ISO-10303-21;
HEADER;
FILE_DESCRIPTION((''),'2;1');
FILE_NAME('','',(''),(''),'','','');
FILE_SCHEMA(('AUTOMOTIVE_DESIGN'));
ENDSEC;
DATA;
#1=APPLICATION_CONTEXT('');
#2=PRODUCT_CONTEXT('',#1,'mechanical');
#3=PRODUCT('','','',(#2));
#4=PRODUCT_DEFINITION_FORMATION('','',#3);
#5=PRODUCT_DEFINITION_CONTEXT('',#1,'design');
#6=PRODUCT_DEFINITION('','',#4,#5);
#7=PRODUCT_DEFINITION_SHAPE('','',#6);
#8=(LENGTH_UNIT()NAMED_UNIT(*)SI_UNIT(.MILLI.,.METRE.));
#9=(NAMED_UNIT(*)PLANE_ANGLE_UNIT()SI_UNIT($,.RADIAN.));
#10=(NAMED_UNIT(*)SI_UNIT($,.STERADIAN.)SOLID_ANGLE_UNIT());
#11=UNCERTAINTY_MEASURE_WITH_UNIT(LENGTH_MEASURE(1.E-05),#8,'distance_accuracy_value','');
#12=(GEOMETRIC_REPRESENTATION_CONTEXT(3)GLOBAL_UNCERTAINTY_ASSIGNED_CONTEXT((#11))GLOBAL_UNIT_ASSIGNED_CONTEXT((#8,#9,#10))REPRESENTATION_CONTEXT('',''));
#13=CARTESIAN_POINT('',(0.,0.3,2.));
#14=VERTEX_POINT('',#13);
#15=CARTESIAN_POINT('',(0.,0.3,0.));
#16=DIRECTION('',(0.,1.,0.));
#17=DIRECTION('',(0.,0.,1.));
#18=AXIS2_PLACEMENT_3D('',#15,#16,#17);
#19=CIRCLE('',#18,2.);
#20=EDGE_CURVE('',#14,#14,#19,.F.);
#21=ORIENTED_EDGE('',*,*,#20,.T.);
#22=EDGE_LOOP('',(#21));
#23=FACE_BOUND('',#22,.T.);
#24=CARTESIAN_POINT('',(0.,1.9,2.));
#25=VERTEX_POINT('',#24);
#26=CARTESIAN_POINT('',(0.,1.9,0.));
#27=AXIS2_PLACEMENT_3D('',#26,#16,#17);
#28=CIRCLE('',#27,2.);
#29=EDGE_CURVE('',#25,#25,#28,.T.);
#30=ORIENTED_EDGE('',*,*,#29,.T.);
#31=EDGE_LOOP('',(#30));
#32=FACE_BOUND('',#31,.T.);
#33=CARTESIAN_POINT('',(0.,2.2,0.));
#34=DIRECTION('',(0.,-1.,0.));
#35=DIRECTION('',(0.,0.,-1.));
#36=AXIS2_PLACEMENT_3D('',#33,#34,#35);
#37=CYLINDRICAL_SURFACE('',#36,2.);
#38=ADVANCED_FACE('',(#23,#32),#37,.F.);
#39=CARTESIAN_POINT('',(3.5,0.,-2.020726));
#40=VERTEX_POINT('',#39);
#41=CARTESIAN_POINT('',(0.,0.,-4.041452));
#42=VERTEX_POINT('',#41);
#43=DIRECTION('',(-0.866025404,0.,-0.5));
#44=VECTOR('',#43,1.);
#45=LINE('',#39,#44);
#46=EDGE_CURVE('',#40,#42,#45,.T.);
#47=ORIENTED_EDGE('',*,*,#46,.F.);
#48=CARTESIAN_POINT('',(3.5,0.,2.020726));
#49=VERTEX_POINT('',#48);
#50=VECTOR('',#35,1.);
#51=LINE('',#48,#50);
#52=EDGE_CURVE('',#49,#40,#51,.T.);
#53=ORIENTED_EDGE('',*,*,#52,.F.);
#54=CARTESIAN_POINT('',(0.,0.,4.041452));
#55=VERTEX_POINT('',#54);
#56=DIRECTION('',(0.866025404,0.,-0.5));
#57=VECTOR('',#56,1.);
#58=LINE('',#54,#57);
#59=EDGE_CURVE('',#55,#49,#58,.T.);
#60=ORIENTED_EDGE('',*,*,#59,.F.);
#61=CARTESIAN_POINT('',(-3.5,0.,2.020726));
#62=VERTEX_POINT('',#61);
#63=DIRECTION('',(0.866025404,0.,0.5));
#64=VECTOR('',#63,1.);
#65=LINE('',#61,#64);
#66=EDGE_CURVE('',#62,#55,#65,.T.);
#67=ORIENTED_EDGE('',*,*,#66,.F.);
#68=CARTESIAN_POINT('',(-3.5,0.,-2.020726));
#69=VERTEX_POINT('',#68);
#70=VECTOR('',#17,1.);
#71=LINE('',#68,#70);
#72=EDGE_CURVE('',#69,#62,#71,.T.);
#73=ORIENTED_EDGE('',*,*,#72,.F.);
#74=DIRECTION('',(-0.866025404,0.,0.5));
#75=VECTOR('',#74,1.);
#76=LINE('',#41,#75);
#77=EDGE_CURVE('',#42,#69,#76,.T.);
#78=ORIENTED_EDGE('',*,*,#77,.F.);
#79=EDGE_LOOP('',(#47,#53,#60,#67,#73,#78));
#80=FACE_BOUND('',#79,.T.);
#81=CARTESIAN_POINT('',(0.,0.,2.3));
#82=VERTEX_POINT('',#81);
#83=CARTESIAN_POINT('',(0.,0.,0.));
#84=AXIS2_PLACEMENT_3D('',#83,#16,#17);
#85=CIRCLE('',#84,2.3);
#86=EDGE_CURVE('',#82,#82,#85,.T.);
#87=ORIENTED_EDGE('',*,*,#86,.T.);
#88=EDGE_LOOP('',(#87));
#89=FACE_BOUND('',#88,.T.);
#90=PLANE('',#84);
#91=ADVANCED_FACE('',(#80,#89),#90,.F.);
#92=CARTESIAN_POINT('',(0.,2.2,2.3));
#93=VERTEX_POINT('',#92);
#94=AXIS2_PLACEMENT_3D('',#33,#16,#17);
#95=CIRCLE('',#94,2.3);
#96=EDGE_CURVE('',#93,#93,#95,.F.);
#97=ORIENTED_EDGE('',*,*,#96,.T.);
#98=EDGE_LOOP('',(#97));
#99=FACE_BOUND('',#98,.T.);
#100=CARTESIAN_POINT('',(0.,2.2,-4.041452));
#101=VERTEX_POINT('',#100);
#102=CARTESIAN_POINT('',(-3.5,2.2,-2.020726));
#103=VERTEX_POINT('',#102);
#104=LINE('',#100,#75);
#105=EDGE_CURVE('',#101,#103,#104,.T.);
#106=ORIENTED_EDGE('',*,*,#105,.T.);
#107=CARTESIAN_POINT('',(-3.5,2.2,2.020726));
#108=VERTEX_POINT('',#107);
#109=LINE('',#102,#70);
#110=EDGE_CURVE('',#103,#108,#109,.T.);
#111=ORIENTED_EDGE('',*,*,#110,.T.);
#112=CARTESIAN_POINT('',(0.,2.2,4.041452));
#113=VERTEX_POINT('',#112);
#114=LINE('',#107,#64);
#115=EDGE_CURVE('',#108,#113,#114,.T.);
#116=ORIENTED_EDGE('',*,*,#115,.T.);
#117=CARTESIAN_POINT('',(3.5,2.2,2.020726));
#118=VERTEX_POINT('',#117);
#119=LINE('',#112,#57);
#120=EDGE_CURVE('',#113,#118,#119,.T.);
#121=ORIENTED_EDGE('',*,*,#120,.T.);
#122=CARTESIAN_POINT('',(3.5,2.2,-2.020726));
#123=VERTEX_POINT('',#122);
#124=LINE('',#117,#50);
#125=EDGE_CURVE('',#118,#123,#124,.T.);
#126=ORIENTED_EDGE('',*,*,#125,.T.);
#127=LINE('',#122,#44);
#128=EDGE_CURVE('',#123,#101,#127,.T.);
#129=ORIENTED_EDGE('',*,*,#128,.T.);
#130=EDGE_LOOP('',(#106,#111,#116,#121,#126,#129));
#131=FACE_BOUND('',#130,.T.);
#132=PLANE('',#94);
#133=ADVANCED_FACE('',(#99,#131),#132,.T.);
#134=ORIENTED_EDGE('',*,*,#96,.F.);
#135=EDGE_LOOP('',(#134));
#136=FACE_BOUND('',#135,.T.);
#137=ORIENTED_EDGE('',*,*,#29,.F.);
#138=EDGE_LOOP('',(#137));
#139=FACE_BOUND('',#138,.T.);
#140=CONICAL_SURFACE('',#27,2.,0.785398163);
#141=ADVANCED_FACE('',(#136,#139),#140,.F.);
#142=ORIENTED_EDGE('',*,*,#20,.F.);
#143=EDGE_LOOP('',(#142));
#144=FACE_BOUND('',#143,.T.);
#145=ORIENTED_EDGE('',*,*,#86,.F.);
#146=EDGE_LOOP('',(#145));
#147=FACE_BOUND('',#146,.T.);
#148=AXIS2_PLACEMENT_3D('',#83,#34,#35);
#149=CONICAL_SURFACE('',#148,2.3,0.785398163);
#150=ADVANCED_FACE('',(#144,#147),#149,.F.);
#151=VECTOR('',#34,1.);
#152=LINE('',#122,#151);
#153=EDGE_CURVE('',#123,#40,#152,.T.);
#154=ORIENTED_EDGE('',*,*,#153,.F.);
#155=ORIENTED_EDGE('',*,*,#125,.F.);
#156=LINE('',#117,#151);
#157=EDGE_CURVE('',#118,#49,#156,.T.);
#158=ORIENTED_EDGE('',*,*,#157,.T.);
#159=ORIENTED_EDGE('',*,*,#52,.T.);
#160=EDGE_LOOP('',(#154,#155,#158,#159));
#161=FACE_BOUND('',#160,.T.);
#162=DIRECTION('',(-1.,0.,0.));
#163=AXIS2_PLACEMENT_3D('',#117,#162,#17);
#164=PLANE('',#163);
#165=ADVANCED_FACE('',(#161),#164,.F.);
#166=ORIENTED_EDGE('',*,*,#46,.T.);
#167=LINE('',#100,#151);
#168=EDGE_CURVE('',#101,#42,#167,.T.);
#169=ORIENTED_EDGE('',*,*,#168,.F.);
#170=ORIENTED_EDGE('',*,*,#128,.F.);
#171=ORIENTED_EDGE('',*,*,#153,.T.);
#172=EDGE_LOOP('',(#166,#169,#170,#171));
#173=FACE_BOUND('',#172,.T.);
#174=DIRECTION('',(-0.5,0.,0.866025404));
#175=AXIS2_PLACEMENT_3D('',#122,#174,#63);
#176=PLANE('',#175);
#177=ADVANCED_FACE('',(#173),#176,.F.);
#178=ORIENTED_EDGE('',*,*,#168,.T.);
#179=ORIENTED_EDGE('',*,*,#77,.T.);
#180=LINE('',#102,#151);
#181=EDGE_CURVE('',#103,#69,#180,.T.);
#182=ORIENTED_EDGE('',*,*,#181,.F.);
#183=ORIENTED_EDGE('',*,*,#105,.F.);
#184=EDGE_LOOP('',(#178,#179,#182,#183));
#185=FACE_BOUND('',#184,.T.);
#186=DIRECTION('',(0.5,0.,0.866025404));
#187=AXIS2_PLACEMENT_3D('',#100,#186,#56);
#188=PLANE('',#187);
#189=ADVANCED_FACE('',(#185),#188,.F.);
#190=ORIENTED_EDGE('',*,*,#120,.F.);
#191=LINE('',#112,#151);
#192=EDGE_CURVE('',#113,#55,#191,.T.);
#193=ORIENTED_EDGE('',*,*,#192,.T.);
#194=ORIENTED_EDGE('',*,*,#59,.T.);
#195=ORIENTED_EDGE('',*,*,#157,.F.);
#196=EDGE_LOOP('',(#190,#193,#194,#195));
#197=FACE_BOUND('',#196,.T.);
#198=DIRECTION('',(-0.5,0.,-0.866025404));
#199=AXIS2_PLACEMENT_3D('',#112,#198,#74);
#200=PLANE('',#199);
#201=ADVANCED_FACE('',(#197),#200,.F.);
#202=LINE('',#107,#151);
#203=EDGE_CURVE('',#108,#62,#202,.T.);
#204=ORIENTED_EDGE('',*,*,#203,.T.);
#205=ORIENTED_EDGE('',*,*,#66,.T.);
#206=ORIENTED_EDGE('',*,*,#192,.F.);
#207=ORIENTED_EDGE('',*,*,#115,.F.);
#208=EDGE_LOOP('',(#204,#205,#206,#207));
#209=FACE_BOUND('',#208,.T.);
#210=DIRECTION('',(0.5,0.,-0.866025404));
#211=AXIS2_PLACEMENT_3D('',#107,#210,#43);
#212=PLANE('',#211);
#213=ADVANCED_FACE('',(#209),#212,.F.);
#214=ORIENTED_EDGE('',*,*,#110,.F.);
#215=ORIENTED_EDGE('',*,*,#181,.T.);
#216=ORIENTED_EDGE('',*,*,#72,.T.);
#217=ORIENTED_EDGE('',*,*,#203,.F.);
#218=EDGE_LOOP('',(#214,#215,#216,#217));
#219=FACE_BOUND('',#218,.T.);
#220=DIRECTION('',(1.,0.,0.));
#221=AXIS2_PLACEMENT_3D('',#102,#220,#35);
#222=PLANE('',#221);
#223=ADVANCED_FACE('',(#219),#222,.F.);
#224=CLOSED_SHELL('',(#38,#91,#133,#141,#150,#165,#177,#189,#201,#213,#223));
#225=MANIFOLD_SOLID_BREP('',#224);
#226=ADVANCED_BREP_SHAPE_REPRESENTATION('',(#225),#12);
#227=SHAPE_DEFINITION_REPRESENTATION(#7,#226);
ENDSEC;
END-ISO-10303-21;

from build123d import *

# Parameters (mm, degrees)
SKETCH_1_R      = 2
EXTRUDE_1_DEPTH = 2.2
CHAMFER_1_SIZE  = 0.3


with BuildPart() as part:
    # Эскиз1 → Бобышка-Вытянуть1 (new body)
    with BuildSketch(Plane(origin=(0, 0, 0), x_dir=(1, 0, 0), z_dir=(0, 1, 0))):
        Polygon((-3.5, 2.020725942), (-3.5, -2.020725942), (0, -4.041451884), (3.5, -2.020725942), (3.5, 2.020725942), (0, 4.041451884), align=None)
        Circle(SKETCH_1_R, mode=Mode.SUBTRACT)
    extrude(amount=EXTRUDE_1_DEPTH)

    # Фаска1
    chamfer_1_edges = [part.edges().sort_by_distance(p)[0] for p in [
        (-2, 0, 0),
        (-2, 2.2, 0),
    ]]
    chamfer(chamfer_1_edges, length=CHAMFER_1_SIZE)


solid = part.part
